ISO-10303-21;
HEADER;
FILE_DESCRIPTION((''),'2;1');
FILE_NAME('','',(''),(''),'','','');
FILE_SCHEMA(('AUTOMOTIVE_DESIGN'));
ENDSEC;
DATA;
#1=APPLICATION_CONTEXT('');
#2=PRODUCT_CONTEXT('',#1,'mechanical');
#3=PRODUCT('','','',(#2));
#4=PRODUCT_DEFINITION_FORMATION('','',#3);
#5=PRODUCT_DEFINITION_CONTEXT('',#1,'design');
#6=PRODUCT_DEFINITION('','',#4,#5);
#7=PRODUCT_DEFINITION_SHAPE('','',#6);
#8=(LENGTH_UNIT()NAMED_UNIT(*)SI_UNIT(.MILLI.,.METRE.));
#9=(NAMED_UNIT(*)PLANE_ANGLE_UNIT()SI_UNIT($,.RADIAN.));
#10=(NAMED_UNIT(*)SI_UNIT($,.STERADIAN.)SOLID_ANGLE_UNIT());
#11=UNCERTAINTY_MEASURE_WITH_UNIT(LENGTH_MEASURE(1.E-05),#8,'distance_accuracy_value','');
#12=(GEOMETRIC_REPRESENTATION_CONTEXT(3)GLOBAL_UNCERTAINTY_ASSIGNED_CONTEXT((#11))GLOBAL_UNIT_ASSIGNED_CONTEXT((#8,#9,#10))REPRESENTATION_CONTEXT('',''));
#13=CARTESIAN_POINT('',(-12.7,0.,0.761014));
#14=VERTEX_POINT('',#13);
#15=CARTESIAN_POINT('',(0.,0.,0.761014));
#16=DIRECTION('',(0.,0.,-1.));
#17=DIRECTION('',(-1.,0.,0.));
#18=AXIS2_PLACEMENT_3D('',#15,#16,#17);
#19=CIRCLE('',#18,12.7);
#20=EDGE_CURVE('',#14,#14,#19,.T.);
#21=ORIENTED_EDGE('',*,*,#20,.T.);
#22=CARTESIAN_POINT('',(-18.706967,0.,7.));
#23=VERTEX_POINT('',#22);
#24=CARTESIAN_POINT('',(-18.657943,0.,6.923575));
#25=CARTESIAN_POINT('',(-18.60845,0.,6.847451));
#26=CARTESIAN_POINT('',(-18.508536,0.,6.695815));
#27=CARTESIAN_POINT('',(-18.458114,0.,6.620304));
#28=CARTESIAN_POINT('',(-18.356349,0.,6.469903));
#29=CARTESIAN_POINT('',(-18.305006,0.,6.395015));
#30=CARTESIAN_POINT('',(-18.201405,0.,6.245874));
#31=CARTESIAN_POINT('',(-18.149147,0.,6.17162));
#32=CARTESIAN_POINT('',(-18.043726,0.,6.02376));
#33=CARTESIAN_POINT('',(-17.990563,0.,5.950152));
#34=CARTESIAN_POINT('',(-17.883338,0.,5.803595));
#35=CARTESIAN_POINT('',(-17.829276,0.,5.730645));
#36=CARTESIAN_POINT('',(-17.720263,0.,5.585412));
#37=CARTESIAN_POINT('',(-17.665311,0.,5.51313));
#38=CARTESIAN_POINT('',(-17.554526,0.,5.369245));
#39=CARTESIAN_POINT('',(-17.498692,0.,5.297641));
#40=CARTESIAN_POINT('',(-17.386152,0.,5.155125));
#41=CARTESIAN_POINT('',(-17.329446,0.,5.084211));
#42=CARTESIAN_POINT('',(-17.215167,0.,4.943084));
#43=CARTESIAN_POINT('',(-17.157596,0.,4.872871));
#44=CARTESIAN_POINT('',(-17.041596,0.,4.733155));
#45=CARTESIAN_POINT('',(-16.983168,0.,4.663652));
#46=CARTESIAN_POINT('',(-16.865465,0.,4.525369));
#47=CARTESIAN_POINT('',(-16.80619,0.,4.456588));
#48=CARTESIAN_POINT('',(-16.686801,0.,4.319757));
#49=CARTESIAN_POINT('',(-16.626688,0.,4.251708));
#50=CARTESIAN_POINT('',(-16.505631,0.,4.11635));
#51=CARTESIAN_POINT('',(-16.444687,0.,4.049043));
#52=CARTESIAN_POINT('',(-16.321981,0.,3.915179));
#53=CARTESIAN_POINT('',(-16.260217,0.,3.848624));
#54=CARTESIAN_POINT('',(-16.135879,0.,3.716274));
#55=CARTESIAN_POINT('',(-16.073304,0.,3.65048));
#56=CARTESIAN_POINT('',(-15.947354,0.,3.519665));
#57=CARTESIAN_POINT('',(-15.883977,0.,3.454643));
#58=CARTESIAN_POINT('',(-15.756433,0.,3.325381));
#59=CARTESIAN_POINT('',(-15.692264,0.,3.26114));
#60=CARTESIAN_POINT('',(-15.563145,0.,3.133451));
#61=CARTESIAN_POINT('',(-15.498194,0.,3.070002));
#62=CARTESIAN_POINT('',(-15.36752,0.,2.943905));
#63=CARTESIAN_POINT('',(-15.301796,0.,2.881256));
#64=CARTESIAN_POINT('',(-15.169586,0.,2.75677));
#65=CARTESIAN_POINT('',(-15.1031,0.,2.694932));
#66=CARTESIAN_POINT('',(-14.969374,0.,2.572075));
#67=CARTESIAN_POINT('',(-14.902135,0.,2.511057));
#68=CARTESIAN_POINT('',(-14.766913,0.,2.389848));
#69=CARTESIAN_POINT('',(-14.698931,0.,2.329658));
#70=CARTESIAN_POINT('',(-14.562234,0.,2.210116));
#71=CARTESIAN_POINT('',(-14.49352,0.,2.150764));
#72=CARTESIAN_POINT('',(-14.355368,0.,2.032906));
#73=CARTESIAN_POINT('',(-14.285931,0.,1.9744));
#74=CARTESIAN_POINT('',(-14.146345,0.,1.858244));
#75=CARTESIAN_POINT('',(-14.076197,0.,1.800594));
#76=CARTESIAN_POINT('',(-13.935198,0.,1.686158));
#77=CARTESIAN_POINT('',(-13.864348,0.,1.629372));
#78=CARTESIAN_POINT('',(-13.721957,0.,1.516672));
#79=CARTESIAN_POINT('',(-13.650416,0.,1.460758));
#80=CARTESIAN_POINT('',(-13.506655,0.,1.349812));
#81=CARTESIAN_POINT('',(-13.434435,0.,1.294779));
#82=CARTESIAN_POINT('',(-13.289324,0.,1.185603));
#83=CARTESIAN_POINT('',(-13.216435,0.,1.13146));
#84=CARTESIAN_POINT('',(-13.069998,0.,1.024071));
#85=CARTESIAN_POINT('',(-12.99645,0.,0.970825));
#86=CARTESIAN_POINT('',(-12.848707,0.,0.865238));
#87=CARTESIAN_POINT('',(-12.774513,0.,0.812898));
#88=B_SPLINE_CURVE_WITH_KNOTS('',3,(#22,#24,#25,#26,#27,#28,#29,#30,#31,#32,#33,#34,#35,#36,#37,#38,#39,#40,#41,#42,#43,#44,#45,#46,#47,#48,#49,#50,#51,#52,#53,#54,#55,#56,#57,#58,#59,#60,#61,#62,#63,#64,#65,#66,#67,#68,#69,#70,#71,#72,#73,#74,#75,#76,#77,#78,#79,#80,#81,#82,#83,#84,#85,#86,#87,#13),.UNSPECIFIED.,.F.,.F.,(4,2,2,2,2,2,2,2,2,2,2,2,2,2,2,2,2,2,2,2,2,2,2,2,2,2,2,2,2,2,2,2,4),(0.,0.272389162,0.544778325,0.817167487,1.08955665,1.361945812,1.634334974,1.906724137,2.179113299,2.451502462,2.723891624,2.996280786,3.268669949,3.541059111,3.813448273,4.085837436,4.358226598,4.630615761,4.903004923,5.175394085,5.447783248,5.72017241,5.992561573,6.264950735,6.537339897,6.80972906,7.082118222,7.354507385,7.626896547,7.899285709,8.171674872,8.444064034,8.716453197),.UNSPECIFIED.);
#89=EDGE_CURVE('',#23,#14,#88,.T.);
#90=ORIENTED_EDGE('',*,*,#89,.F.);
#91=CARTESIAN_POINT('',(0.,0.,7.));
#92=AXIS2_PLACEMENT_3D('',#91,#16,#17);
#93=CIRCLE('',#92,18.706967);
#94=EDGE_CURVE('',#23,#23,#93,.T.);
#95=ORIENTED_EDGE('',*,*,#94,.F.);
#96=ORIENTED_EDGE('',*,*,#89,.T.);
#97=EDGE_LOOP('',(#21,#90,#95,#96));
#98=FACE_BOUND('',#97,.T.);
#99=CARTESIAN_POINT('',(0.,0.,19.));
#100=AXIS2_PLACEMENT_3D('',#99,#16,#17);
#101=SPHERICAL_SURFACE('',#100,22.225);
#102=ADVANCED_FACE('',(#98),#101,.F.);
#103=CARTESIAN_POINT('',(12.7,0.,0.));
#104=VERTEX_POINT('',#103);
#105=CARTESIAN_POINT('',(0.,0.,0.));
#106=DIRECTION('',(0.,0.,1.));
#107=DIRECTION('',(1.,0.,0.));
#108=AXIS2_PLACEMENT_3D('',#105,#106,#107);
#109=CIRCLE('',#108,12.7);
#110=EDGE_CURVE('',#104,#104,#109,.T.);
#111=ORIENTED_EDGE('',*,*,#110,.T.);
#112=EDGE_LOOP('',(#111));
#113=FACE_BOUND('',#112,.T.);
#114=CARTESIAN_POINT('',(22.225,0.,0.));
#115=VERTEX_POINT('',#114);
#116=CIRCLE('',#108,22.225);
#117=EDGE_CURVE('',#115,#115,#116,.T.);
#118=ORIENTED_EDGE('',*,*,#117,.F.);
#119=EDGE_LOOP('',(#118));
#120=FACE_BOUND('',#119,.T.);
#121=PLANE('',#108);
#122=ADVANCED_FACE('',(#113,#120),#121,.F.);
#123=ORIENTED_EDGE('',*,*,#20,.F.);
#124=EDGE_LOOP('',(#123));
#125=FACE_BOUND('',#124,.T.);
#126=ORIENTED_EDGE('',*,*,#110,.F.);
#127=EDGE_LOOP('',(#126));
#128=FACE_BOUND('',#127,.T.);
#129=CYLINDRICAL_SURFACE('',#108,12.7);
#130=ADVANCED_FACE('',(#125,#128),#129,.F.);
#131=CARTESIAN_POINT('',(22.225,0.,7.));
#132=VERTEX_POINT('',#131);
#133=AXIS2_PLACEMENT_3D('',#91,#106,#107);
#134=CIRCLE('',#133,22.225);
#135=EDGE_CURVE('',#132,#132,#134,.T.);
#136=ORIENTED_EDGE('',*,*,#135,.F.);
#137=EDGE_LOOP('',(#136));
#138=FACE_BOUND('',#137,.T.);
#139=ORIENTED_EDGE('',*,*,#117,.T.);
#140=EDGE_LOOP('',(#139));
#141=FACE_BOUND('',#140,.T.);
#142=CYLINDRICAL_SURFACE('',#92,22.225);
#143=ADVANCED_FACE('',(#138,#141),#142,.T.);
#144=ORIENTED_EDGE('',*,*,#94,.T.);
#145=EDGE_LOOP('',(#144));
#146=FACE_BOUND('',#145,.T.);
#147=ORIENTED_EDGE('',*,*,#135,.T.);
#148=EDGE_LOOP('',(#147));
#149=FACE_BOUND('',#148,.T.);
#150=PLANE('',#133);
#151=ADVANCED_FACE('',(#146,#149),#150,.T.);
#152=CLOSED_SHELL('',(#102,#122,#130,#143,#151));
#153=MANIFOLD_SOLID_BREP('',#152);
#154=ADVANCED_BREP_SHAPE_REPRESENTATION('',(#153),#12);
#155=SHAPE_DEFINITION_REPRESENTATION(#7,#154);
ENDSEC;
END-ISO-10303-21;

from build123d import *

# Parameters (mm, degrees)
SKETCH2_R           = 22.225
BOSS_EXTRUDE1_DEPTH = 7
SKETCH3_R           = 12.7
CUT_EXTRUDE1_DEPTH  = 33.200951073


with BuildPart() as part:
    # Sketch2 → Boss-Extrude1 (new body)
    with BuildSketch(Plane.XY):
        Circle(SKETCH2_R)
    extrude(amount=BOSS_EXTRUDE1_DEPTH)

    # Sketch3 → Cut-Extrude1 (cut, through all)
    with BuildSketch(Plane.XY.offset(7)):
        Circle(SKETCH3_R)
    extrude(amount=-CUT_EXTRUDE1_DEPTH, mode=Mode.SUBTRACT)

    # Sketch4 → Cut-Revolve1 (revolve, cut)
    with BuildSketch(Plane(origin=(0, 0, 0), x_dir=(1, 0, 0), z_dir=(0, 1, 0)), mode=Mode.PRIVATE) as cut_revolve1_sk:
        with BuildLine():
            Line((-18.706967285, -7), (0, -7))
            Line((0, -7), (0, -0.761013597))
            Line((0, -0.761013597), (-12.7, -0.761013597))
            ThreePointArc((-12.7, -0.761013597), (-16.010329052, -3.585072538), (-18.706967285, -7))
        make_face()
    revolve(cut_revolve1_sk.sketch.rotate(Axis((0, 0, -16.764248705), (0, 0, 1)), 180), axis=Axis((0, 0, -16.764248705), (0, 0, 1)), mode=Mode.SUBTRACT)


solid = part.part
